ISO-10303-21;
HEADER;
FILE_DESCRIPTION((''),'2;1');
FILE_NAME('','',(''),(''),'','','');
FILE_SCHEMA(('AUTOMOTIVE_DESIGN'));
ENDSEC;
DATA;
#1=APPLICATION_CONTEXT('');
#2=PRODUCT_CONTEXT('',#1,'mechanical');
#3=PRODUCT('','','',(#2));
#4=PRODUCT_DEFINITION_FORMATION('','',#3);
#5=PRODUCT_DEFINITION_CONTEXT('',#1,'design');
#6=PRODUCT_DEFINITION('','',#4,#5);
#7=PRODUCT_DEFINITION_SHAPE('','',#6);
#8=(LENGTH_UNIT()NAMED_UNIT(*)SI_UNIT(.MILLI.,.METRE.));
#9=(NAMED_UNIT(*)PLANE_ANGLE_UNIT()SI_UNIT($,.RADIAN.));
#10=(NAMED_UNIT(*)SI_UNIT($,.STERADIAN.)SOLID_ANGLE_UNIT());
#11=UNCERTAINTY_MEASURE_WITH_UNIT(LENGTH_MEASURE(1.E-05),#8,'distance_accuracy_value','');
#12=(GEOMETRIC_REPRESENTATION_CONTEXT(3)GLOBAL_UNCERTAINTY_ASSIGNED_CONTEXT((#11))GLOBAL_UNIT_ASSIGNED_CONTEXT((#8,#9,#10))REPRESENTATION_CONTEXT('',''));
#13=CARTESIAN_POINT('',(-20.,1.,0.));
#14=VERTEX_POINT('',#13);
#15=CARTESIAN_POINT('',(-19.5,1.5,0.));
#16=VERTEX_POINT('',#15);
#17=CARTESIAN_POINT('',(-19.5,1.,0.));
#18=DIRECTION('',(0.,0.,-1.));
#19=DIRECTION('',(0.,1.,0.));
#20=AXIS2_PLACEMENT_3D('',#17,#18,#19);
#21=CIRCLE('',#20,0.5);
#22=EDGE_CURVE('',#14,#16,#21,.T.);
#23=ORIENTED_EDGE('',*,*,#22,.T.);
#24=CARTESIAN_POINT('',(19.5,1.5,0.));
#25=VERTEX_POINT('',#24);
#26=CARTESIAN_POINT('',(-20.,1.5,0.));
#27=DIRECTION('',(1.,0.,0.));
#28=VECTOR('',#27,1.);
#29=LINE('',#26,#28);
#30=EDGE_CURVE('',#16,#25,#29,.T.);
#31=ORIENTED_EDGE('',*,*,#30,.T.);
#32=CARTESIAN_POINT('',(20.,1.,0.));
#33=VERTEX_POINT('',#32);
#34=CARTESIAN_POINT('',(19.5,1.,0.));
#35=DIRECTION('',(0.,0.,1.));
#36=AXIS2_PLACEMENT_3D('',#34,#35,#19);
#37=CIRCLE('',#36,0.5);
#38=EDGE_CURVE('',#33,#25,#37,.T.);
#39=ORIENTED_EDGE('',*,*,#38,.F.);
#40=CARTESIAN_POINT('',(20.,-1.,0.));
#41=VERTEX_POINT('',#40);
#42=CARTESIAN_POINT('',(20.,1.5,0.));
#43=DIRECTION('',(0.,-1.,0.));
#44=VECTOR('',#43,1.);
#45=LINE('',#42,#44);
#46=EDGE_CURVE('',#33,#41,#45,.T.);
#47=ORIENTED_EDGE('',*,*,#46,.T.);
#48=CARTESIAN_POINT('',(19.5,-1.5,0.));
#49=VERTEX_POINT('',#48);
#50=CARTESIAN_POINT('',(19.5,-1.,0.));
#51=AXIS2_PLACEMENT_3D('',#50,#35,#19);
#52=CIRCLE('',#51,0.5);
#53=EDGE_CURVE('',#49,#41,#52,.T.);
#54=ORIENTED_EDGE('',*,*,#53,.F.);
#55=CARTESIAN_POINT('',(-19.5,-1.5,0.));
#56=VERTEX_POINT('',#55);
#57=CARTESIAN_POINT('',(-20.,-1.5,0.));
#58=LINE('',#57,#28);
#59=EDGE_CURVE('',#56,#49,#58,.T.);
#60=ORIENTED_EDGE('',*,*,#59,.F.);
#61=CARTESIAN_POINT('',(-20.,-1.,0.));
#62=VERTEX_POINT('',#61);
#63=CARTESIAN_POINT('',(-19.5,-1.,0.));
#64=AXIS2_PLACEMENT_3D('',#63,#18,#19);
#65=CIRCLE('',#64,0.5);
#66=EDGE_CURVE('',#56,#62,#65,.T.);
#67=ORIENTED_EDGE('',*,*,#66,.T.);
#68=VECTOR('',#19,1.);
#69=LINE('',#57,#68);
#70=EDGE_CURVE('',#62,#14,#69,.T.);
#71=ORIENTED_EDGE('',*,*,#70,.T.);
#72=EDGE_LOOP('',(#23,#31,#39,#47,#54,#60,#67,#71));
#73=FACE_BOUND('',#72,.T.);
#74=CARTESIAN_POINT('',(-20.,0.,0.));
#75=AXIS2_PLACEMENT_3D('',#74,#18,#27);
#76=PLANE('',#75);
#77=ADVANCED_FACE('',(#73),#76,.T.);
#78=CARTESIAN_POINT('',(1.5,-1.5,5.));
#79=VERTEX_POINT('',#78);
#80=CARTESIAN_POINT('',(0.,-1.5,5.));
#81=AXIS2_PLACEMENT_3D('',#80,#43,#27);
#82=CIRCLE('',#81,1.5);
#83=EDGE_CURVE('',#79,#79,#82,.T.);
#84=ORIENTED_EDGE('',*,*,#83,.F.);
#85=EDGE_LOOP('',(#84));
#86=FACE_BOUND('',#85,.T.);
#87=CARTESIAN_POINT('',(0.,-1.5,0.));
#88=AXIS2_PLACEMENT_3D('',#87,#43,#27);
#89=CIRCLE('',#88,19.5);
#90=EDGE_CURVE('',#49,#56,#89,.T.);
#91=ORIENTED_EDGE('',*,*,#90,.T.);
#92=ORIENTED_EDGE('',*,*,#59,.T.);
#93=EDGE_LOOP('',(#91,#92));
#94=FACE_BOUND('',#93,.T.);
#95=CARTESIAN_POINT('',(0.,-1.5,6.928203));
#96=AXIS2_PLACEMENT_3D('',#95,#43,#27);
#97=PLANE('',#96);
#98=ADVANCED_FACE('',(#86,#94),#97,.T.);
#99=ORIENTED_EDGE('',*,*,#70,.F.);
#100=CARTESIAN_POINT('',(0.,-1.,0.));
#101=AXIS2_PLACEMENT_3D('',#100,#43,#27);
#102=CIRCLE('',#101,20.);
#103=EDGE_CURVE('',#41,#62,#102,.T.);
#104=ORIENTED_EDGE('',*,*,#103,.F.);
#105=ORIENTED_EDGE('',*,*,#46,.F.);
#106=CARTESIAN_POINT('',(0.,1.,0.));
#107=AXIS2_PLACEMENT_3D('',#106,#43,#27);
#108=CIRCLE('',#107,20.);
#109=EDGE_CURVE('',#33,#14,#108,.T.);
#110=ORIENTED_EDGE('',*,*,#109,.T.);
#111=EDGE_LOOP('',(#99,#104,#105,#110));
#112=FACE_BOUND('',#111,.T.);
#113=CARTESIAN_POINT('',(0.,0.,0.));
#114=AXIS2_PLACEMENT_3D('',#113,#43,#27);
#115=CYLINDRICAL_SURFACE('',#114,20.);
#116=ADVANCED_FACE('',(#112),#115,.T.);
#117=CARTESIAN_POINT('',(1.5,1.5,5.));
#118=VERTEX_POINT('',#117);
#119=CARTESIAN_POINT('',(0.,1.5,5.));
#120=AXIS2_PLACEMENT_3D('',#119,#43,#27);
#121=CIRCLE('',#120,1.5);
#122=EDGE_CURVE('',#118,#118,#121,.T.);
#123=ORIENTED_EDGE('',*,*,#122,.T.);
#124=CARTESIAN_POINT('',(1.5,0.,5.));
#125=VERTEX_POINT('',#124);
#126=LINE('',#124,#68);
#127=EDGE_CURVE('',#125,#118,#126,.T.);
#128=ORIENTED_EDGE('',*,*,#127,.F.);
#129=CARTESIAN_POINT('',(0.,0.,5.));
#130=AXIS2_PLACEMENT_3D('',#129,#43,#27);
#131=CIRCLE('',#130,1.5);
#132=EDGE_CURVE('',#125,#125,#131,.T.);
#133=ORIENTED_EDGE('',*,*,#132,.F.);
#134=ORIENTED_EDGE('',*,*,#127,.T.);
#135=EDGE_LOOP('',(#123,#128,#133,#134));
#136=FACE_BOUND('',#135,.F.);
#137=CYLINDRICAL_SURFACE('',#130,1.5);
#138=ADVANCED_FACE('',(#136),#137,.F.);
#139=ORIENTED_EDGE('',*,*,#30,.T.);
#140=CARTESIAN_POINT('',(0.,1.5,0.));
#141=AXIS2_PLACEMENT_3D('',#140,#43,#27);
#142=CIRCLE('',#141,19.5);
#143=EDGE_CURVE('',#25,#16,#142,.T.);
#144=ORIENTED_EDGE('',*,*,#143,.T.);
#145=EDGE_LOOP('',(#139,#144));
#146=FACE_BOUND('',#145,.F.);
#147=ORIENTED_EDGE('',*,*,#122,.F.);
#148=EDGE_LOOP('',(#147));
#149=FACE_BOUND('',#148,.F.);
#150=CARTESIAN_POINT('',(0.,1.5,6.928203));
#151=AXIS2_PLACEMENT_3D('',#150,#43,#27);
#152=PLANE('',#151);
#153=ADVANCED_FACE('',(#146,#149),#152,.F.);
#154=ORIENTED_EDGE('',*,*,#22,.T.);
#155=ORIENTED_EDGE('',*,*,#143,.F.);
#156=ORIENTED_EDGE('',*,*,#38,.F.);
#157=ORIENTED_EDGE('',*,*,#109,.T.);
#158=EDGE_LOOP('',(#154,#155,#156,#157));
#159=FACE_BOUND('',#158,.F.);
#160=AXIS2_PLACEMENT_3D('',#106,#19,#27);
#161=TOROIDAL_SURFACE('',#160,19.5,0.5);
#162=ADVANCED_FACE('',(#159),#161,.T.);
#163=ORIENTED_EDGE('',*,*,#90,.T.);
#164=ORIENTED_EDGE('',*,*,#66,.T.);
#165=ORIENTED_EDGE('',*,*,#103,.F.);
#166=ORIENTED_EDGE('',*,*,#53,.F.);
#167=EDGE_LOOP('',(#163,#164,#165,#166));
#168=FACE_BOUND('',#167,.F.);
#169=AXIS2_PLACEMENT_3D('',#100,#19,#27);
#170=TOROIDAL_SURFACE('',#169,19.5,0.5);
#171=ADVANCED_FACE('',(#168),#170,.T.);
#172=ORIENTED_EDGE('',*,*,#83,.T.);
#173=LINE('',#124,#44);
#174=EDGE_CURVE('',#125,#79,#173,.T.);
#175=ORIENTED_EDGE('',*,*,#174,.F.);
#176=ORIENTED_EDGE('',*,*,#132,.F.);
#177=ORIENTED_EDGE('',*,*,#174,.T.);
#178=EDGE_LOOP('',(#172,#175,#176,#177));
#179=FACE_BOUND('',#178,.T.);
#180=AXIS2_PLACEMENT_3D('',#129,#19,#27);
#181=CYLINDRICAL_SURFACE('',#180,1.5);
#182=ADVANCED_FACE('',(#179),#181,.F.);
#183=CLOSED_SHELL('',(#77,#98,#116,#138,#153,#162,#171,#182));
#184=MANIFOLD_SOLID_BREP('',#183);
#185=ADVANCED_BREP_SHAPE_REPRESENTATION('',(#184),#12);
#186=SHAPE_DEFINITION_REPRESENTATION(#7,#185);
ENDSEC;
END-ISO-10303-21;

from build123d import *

# Parameters (mm, degrees)
F0_R          = 1.5
F1_DEPTH      = 1.5
F1_DEPTH_BACK = 1.5
F2_R          = 0.5


with BuildPart() as f1:
    # F0 (on Front) → F1 (new body, two sides)
    with BuildSketch(Plane.XZ) as f1_sk:
        with BuildLine():
            Line((-20, 0), (20, 0))
            ThreePointArc((20, 0), (0, 20), (-20, 0))
        make_face()
        with Locations((0, 5)):
            Circle(F0_R, mode=Mode.SUBTRACT)
    extrude(amount=F1_DEPTH)
    extrude(f1_sk.sketch, amount=-F1_DEPTH_BACK)

    # F2
    f2_edges = [f1.edges().sort_by_distance(p)[0] for p in [
        (0, -1.5, 20),
        (0, 1.5, 20),
    ]]
    fillet(f2_edges, radius=F2_R)


solid = f1.part
